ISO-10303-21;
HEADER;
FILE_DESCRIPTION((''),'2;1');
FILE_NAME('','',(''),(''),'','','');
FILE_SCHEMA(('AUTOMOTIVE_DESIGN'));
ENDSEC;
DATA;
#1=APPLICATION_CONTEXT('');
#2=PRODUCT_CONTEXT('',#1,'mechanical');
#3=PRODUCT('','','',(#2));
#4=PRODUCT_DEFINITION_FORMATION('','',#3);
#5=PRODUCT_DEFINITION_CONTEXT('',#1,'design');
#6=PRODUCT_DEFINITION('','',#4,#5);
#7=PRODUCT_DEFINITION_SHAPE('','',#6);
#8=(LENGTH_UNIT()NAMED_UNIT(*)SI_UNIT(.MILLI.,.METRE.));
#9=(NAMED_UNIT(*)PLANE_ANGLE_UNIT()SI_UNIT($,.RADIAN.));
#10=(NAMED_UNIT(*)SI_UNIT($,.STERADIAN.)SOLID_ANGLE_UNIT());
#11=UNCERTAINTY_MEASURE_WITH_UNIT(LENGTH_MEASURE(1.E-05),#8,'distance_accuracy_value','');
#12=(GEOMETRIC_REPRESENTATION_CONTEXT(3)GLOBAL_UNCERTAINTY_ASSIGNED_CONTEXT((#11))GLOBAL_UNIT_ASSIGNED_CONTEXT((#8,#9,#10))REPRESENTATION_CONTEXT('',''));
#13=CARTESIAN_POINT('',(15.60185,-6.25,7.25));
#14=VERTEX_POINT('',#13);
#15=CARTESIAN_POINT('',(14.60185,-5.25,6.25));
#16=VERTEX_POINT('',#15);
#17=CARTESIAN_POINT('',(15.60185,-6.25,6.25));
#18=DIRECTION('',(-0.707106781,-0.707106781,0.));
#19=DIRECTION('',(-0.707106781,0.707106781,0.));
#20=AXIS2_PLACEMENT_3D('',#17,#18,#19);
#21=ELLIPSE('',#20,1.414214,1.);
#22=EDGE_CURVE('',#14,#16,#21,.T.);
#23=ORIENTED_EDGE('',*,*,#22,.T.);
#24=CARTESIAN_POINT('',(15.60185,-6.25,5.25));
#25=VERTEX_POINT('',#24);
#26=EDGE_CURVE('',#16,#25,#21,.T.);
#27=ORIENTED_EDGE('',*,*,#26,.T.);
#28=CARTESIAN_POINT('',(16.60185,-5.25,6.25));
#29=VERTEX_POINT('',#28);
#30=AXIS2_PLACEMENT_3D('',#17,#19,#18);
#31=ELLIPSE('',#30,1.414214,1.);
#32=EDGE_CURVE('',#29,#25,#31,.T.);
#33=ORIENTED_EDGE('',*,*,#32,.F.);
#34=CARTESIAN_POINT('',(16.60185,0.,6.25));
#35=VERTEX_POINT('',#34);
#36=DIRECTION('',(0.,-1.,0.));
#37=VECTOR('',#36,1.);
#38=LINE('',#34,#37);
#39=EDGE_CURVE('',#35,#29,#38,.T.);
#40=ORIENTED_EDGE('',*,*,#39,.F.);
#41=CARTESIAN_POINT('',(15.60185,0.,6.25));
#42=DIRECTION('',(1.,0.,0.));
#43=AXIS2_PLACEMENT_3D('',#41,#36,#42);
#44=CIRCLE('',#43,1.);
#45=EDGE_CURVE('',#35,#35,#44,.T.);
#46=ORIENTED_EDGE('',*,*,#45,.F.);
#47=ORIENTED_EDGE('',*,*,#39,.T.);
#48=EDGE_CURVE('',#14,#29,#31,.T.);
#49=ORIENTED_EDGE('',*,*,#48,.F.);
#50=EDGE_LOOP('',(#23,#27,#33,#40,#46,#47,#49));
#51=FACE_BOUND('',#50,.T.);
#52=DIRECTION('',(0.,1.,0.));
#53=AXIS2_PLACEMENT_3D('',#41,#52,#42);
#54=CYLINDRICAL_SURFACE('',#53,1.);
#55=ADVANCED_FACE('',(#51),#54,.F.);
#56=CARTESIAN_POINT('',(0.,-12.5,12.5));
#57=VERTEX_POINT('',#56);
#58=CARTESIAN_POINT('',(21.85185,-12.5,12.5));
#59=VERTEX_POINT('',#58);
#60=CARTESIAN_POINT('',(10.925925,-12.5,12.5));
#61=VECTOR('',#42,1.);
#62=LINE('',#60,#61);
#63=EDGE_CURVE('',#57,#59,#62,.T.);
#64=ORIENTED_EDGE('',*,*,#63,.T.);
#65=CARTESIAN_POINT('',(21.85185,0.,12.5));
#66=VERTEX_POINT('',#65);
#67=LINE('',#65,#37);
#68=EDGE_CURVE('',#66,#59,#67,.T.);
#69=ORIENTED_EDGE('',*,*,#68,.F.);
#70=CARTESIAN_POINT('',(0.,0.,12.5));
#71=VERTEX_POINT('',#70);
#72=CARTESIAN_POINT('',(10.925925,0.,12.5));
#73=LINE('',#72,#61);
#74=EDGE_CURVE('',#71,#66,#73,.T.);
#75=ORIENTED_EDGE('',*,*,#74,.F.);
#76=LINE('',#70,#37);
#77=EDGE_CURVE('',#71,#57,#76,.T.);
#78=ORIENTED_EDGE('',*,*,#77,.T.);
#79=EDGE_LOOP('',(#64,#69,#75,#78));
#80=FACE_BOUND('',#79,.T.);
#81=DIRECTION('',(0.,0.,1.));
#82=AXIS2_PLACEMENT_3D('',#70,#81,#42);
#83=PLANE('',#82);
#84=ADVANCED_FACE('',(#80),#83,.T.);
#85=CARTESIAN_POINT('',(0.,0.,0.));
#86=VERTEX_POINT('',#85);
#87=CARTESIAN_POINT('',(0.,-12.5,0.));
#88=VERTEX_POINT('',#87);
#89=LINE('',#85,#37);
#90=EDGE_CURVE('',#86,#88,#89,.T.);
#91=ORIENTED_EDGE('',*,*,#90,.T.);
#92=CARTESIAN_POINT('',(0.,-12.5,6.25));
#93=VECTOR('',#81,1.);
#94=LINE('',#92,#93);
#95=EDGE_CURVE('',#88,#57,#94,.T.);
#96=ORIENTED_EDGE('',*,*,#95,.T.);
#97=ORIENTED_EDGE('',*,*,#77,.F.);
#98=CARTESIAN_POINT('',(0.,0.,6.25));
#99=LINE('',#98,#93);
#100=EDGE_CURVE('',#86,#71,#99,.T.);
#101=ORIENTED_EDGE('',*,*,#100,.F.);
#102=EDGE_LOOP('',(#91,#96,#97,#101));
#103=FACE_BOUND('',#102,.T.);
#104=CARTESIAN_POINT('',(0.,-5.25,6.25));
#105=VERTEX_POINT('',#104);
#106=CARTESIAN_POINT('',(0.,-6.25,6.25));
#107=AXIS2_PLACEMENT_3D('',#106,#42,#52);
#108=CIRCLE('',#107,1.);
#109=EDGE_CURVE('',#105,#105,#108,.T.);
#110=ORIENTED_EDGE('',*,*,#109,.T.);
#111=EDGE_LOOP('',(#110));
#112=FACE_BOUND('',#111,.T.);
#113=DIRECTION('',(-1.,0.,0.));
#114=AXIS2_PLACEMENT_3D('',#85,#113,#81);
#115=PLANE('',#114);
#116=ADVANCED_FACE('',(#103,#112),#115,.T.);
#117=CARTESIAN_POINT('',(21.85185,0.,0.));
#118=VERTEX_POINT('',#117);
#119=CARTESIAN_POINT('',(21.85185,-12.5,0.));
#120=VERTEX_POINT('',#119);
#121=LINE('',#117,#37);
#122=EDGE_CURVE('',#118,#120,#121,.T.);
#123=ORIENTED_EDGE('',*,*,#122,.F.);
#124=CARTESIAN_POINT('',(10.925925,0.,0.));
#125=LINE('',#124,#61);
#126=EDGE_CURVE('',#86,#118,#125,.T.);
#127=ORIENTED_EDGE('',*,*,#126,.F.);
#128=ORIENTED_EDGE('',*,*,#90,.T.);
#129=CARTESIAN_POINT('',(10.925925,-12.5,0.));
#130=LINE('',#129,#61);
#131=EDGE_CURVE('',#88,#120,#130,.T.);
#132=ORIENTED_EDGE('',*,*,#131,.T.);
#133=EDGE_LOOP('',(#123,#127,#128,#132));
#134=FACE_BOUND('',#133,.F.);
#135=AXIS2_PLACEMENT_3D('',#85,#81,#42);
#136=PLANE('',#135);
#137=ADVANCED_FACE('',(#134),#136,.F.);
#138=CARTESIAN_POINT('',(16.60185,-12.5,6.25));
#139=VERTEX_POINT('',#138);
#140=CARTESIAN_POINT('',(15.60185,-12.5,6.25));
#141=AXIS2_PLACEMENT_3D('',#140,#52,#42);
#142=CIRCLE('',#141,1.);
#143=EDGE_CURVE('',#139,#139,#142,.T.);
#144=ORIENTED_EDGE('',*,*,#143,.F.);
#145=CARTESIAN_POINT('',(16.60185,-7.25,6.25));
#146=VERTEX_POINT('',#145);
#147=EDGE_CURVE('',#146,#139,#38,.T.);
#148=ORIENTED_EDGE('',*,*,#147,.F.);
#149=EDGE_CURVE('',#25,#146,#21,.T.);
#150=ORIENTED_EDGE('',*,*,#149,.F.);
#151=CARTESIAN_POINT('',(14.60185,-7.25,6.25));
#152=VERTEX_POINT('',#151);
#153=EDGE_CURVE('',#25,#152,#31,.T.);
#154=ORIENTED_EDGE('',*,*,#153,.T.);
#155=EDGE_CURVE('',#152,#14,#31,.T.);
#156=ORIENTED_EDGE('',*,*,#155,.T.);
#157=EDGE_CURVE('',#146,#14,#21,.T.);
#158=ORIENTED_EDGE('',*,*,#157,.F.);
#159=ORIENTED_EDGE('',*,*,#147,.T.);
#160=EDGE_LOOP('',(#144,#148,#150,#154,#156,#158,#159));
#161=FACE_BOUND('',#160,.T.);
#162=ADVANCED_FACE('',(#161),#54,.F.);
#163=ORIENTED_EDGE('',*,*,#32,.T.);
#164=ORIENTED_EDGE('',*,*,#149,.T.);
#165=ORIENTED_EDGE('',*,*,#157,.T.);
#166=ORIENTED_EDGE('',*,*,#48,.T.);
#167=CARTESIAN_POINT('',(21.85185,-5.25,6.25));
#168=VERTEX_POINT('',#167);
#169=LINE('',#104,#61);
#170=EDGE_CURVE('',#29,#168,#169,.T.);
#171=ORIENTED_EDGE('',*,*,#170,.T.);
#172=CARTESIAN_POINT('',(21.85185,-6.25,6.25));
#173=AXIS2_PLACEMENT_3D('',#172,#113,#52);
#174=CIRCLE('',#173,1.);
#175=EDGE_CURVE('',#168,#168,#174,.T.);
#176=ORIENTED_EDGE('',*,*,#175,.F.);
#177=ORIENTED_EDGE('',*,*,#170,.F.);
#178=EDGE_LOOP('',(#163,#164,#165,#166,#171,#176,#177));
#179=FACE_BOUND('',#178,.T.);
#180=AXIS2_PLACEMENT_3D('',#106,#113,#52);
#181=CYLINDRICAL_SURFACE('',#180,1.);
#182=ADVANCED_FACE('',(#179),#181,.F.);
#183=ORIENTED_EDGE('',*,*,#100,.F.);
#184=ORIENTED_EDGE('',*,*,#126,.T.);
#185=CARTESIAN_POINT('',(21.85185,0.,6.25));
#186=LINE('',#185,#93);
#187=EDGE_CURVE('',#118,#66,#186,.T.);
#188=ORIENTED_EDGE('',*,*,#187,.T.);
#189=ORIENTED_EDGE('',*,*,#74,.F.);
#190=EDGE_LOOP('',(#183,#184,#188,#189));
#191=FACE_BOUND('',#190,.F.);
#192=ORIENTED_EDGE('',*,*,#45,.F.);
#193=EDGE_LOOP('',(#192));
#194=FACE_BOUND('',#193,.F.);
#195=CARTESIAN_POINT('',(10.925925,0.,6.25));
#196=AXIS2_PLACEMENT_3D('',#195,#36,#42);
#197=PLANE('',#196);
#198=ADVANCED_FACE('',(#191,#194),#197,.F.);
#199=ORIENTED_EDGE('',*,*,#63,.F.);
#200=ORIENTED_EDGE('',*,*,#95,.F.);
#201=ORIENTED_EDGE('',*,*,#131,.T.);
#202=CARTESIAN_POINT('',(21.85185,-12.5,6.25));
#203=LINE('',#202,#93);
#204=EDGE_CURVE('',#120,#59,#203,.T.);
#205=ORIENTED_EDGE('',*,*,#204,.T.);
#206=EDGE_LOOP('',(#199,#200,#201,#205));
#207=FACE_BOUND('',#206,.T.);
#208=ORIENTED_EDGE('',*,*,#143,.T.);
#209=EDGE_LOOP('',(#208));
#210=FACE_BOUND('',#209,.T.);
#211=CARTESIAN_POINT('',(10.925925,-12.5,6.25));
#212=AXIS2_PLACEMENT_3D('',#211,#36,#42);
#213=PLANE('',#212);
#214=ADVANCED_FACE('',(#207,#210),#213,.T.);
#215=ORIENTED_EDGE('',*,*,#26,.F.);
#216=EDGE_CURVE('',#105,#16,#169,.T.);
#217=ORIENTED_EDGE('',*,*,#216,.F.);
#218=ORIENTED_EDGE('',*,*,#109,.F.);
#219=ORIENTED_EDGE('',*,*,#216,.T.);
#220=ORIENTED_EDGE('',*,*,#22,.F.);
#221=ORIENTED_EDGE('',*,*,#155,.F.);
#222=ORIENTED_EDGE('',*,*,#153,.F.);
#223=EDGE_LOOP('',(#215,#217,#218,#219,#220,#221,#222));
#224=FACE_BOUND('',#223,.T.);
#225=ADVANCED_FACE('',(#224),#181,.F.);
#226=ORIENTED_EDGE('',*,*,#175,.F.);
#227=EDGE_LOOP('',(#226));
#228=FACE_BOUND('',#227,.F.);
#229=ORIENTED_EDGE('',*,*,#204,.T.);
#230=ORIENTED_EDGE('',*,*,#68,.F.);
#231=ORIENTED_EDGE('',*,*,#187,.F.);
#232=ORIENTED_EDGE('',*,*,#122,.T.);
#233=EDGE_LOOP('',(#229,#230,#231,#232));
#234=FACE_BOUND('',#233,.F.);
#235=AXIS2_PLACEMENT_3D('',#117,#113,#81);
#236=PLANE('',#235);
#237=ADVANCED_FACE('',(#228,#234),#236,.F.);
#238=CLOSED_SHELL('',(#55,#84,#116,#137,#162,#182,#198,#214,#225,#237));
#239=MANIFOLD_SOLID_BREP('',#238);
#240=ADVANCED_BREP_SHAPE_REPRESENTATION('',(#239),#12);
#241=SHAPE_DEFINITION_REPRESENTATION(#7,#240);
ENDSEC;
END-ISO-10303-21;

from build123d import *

# Parameters (mm, degrees)
SKETCH_W        = 21.85185
SKETCH_H        = 12.5
PAD_DEPTH       = 12.5
SKETCH001_R     = 1
POCKET_DEPTH    = 50
SKETCH002_R     = 1
POCKET001_DEPTH = 50


with BuildPart() as part:
    # Sketch → Pad (new body)
    with BuildSketch(Plane.XZ):
        with Locations((10.925925, 6.25)):
            Rectangle(SKETCH_W, SKETCH_H)
    extrude(amount=PAD_DEPTH)

    # Sketch001 → Pocket (cut)
    with BuildSketch(Plane.YZ):
        with Locations((-6.25, 6.25)):
            Circle(SKETCH001_R)
    extrude(amount=POCKET_DEPTH, mode=Mode.SUBTRACT)

    # Sketch002 → Pocket001 (cut)
    with BuildSketch(Plane.XZ):
        with Locations((15.60185, 6.25)):
            Circle(SKETCH002_R)
    extrude(amount=POCKET001_DEPTH, mode=Mode.SUBTRACT)


solid = part.part
